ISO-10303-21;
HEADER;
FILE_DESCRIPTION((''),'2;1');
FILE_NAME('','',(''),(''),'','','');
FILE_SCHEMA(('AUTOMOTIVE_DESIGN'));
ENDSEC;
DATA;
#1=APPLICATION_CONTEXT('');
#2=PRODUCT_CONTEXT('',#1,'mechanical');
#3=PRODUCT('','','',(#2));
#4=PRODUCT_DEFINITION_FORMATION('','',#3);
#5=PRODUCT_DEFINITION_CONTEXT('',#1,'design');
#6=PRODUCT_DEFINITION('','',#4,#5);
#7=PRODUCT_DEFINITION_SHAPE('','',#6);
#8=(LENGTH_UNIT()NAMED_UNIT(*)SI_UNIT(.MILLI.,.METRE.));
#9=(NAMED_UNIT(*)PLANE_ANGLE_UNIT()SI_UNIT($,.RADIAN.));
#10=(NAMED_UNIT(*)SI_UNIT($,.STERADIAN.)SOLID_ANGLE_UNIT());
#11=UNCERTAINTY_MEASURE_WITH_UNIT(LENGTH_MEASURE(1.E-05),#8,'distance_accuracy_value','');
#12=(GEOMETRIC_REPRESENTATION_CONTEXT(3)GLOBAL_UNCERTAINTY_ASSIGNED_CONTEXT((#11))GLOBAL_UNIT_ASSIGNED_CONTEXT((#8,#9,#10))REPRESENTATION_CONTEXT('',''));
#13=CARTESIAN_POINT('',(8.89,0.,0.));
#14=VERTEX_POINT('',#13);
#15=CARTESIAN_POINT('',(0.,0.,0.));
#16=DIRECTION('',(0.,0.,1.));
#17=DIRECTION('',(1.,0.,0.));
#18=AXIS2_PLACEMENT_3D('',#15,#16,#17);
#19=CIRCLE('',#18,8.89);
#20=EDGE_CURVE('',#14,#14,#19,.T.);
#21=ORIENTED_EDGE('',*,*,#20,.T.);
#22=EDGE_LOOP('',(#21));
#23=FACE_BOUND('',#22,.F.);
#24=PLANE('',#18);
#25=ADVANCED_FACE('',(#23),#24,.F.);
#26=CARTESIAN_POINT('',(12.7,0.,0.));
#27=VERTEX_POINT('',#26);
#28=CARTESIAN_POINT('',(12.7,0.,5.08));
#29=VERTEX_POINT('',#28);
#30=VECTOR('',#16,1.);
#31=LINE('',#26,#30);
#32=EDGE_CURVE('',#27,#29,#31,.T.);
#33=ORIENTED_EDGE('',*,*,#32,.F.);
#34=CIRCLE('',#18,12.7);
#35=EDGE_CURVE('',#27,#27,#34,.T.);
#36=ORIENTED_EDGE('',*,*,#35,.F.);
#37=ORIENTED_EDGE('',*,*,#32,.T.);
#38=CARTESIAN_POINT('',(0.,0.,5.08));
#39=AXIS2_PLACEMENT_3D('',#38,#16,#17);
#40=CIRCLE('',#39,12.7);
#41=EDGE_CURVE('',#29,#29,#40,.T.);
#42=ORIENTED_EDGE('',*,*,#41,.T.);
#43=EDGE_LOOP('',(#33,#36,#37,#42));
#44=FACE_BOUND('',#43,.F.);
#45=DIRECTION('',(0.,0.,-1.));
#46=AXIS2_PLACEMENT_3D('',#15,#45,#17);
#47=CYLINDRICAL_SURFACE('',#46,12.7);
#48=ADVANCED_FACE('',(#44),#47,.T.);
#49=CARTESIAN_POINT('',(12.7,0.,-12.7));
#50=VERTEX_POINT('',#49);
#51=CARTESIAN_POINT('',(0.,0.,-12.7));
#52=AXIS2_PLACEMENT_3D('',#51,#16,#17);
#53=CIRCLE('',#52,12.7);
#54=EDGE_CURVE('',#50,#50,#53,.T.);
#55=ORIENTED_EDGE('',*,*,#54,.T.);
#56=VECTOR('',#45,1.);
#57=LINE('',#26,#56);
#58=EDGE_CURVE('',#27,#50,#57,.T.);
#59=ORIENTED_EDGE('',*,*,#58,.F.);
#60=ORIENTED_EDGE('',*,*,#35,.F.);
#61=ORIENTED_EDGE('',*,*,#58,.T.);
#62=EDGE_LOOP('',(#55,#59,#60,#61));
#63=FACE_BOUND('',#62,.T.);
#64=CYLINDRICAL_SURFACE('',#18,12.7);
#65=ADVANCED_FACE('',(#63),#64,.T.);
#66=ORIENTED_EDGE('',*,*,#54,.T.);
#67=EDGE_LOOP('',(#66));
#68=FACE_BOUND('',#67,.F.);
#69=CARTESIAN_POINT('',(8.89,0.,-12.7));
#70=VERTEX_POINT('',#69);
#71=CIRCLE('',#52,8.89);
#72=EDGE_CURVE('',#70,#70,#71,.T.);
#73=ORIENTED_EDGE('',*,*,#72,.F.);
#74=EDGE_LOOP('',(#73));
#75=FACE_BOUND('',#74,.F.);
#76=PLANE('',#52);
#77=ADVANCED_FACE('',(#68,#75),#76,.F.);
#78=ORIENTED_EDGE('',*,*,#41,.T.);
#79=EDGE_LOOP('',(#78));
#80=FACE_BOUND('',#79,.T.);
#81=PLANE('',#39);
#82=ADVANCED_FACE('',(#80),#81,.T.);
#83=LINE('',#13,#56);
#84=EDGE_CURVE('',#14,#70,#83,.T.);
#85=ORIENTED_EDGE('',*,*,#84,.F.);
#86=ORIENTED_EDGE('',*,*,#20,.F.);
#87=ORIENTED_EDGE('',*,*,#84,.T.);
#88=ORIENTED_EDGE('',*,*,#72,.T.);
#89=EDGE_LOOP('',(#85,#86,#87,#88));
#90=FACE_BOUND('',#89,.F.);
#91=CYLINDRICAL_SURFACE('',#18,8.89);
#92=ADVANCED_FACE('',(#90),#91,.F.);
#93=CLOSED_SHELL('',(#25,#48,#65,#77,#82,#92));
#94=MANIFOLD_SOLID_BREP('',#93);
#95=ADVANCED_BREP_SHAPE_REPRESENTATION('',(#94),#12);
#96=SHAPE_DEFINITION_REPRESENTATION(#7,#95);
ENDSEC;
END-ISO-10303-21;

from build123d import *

# Parameters (mm, degrees)
F0_R     = 12.7
F0_R_2   = 8.89
F2_DEPTH = 12.7
F3_DEPTH = 5.08


with BuildPart() as f2:
    # F0 (on Top) → F2 (new body)
    with BuildSketch(Plane.XY):
        Circle(F0_R)
        Circle(F0_R_2, mode=Mode.SUBTRACT)
    extrude(amount=-F2_DEPTH)

    # F0 (on Top) → F3 (join)
    with BuildSketch(Plane.XY):
        Circle(F0_R)
        Circle(F0_R_2, mode=Mode.SUBTRACT)
        Circle(F0_R_2)
    extrude(amount=F3_DEPTH)


solid = f2.part
